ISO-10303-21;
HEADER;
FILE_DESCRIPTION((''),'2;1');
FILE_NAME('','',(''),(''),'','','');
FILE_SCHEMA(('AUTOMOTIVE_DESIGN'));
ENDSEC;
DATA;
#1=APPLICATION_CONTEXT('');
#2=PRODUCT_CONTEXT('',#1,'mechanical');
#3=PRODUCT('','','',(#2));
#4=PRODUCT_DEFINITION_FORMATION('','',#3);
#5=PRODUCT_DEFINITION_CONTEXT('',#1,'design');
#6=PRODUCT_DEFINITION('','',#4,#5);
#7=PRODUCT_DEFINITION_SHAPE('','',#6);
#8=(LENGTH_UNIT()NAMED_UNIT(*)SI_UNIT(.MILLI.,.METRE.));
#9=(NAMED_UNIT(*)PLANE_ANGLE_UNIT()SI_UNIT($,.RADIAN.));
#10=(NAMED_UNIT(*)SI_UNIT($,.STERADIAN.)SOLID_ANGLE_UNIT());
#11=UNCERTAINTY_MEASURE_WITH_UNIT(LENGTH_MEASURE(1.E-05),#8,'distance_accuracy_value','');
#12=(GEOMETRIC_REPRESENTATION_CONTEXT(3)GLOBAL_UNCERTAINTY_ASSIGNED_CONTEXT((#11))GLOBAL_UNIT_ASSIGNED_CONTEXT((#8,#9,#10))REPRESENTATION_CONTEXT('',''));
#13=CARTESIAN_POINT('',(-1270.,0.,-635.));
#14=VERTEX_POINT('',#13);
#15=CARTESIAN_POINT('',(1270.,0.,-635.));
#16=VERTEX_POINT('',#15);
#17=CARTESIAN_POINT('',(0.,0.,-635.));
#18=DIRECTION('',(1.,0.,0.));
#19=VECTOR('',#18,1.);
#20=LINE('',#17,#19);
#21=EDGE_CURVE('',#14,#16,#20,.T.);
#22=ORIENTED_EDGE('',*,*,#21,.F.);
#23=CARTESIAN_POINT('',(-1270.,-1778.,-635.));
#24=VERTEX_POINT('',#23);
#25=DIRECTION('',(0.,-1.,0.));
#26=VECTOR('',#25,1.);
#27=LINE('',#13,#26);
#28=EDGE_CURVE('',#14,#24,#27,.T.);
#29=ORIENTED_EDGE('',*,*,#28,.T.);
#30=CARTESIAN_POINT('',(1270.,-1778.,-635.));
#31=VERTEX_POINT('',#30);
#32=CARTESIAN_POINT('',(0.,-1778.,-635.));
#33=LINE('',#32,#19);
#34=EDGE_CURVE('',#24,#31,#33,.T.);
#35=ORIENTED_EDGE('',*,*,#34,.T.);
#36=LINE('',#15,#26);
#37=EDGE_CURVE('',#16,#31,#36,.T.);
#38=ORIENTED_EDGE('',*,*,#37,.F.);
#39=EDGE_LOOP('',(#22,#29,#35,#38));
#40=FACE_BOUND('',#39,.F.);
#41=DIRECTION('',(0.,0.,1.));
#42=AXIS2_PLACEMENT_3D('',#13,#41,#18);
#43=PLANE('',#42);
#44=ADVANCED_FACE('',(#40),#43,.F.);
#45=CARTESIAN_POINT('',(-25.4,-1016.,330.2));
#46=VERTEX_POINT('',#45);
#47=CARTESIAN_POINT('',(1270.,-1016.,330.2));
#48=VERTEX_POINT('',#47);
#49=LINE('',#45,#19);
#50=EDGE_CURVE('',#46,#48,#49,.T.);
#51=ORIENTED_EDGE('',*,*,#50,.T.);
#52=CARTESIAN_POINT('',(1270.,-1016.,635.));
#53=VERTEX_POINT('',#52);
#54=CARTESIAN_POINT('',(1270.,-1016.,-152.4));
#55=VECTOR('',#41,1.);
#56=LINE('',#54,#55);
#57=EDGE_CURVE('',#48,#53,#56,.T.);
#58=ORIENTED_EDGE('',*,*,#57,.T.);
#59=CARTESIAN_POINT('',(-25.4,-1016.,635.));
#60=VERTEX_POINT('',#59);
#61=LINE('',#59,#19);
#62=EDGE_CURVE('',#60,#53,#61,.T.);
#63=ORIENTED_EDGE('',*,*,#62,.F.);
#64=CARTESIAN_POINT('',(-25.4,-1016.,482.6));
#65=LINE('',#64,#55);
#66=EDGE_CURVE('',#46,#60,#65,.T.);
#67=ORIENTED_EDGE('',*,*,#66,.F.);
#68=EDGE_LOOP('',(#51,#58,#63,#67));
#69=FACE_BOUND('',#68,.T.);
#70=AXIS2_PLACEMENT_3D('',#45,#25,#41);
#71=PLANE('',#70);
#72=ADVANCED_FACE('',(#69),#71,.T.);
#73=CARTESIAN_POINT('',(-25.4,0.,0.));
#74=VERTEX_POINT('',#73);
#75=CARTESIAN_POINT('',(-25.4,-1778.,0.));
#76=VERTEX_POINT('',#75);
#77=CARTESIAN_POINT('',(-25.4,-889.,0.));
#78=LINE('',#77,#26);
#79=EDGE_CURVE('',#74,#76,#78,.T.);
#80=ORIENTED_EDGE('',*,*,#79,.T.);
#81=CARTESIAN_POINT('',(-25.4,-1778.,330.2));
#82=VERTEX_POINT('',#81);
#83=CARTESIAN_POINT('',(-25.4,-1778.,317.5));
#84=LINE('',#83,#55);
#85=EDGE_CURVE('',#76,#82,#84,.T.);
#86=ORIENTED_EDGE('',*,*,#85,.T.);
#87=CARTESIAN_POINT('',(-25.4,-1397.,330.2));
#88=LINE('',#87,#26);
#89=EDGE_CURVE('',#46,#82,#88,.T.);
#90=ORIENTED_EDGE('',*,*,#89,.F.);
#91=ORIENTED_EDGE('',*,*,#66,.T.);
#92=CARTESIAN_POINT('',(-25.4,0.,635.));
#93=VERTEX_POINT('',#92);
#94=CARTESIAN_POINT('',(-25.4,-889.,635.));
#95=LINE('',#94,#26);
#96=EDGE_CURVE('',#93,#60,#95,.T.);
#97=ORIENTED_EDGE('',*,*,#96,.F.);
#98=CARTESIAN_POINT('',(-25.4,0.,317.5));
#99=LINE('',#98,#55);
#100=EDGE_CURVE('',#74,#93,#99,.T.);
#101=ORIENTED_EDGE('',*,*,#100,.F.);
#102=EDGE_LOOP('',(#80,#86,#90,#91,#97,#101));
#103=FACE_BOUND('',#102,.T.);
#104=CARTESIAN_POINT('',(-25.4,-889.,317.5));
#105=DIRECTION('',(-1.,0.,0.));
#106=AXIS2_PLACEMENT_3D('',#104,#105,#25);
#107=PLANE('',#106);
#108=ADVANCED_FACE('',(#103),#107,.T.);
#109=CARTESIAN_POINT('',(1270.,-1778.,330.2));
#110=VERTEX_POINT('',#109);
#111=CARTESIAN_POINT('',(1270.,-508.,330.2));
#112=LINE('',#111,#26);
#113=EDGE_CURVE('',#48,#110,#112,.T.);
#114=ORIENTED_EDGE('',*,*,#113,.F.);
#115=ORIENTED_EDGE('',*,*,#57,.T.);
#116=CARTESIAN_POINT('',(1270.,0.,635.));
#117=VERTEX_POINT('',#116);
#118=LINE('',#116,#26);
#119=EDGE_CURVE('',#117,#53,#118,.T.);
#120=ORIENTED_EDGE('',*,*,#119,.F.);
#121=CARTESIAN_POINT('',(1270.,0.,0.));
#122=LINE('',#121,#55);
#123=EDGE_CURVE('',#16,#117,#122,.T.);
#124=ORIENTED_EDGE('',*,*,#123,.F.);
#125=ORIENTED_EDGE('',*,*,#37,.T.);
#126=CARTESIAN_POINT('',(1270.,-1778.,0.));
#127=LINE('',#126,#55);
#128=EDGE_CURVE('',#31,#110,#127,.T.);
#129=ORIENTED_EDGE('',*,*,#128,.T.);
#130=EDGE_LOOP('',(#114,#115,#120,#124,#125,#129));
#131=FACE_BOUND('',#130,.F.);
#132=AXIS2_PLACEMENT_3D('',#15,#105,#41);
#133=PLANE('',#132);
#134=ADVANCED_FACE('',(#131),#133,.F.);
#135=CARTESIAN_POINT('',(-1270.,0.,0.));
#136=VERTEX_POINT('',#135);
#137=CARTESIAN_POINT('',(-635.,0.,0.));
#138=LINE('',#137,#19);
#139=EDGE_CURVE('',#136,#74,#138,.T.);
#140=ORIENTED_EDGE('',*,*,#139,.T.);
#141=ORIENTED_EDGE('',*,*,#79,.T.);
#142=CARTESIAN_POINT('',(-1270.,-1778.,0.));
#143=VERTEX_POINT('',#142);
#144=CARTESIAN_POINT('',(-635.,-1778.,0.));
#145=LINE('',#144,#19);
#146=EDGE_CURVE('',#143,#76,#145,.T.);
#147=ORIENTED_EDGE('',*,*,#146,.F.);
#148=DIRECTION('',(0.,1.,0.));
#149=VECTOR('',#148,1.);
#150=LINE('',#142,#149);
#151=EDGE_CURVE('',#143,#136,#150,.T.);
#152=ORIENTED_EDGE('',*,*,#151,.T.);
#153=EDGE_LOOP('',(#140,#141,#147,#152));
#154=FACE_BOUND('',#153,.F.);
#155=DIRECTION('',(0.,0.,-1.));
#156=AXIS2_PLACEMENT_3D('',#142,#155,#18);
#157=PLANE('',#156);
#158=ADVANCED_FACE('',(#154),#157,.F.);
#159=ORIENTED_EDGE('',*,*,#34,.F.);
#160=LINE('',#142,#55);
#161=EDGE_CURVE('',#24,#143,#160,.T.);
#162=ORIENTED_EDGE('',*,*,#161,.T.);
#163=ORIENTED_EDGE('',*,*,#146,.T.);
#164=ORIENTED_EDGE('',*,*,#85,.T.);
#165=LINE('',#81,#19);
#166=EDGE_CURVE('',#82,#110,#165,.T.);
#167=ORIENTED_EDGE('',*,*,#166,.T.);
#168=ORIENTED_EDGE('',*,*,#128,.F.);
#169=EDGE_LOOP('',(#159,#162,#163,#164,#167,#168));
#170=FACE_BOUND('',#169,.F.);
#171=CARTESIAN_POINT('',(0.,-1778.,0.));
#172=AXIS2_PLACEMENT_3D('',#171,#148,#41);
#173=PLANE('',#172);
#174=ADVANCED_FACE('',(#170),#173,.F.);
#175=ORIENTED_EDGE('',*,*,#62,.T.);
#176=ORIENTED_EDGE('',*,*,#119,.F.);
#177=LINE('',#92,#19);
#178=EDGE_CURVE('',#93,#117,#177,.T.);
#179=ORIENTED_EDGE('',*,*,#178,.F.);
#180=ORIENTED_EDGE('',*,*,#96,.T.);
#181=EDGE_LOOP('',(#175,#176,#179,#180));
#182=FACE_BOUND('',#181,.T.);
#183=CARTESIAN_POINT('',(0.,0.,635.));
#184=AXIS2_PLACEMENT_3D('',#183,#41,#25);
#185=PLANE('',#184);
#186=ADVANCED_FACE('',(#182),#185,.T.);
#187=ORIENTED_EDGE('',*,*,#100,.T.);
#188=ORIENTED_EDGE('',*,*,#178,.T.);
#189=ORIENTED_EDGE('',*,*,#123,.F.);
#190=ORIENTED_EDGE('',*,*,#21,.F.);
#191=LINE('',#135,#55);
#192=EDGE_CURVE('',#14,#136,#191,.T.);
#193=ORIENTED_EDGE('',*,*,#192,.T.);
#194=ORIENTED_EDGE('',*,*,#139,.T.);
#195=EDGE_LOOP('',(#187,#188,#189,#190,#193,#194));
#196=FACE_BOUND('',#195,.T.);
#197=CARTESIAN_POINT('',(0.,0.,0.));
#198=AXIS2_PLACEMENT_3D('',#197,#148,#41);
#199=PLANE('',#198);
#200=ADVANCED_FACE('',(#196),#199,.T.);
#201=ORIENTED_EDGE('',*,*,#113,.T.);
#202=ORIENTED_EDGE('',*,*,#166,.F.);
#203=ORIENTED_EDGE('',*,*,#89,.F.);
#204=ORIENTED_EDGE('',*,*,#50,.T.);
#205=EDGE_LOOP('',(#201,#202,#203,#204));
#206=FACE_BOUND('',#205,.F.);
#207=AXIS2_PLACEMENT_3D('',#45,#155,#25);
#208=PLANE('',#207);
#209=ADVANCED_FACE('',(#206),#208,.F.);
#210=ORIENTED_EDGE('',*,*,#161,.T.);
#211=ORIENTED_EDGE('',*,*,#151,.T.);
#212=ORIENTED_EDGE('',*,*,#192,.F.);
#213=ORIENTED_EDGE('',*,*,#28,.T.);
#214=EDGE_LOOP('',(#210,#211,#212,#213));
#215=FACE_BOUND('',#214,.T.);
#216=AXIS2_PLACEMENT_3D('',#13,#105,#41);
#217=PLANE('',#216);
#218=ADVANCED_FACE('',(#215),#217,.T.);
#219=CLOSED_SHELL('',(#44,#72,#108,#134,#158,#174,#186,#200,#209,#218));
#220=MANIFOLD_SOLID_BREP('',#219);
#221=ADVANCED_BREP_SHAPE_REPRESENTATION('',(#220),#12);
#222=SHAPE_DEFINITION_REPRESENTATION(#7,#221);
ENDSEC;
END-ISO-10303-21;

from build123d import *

# Parameters (mm, degrees)
F0_W      = 2540
F0_H      = 1270
F1_DEPTH  = 1778
F2_W      = 1270
F2_H      = 635
F3_DEPTH  = 1778.001
F3_FACE_W = 1778
F3_FACE_H = 635
F4_DEPTH  = 25.4
F5_W      = 762
F5_H      = 304.8
F6_DEPTH  = 1295.401


with BuildPart() as f1:
    # F0 (on Front) → F1 (new body)
    with BuildSketch(Plane.XZ):
        Rectangle(F0_W, F0_H)
    extrude(amount=F1_DEPTH)

    # F2 (on face) → F3 (cut, through all)
    with BuildSketch(Plane.XZ.offset(1778)):
        with Locations((-635, 317.5)):
            Rectangle(F2_W, F2_H)
    extrude(amount=-F3_DEPTH, mode=Mode.SUBTRACT)

    # F3_face (on face) → F4 (join)
    with BuildSketch(Plane(origin=(0, -889, 317.5), x_dir=(0, -1, 0), z_dir=(-1, 0, 0))):
        Rectangle(F3_FACE_W, F3_FACE_H)
    extrude(amount=F4_DEPTH)

    # F5 (on face) → F6 (cut, through all)
    with BuildSketch(Plane(origin=(-25.4, 0, 0), x_dir=(0, -1, 0), z_dir=(-1, 0, 0))):
        with Locations((1397, 482.6)):
            Rectangle(F5_W, F5_H)
    extrude(amount=-F6_DEPTH, mode=Mode.SUBTRACT)


solid = f1.part
